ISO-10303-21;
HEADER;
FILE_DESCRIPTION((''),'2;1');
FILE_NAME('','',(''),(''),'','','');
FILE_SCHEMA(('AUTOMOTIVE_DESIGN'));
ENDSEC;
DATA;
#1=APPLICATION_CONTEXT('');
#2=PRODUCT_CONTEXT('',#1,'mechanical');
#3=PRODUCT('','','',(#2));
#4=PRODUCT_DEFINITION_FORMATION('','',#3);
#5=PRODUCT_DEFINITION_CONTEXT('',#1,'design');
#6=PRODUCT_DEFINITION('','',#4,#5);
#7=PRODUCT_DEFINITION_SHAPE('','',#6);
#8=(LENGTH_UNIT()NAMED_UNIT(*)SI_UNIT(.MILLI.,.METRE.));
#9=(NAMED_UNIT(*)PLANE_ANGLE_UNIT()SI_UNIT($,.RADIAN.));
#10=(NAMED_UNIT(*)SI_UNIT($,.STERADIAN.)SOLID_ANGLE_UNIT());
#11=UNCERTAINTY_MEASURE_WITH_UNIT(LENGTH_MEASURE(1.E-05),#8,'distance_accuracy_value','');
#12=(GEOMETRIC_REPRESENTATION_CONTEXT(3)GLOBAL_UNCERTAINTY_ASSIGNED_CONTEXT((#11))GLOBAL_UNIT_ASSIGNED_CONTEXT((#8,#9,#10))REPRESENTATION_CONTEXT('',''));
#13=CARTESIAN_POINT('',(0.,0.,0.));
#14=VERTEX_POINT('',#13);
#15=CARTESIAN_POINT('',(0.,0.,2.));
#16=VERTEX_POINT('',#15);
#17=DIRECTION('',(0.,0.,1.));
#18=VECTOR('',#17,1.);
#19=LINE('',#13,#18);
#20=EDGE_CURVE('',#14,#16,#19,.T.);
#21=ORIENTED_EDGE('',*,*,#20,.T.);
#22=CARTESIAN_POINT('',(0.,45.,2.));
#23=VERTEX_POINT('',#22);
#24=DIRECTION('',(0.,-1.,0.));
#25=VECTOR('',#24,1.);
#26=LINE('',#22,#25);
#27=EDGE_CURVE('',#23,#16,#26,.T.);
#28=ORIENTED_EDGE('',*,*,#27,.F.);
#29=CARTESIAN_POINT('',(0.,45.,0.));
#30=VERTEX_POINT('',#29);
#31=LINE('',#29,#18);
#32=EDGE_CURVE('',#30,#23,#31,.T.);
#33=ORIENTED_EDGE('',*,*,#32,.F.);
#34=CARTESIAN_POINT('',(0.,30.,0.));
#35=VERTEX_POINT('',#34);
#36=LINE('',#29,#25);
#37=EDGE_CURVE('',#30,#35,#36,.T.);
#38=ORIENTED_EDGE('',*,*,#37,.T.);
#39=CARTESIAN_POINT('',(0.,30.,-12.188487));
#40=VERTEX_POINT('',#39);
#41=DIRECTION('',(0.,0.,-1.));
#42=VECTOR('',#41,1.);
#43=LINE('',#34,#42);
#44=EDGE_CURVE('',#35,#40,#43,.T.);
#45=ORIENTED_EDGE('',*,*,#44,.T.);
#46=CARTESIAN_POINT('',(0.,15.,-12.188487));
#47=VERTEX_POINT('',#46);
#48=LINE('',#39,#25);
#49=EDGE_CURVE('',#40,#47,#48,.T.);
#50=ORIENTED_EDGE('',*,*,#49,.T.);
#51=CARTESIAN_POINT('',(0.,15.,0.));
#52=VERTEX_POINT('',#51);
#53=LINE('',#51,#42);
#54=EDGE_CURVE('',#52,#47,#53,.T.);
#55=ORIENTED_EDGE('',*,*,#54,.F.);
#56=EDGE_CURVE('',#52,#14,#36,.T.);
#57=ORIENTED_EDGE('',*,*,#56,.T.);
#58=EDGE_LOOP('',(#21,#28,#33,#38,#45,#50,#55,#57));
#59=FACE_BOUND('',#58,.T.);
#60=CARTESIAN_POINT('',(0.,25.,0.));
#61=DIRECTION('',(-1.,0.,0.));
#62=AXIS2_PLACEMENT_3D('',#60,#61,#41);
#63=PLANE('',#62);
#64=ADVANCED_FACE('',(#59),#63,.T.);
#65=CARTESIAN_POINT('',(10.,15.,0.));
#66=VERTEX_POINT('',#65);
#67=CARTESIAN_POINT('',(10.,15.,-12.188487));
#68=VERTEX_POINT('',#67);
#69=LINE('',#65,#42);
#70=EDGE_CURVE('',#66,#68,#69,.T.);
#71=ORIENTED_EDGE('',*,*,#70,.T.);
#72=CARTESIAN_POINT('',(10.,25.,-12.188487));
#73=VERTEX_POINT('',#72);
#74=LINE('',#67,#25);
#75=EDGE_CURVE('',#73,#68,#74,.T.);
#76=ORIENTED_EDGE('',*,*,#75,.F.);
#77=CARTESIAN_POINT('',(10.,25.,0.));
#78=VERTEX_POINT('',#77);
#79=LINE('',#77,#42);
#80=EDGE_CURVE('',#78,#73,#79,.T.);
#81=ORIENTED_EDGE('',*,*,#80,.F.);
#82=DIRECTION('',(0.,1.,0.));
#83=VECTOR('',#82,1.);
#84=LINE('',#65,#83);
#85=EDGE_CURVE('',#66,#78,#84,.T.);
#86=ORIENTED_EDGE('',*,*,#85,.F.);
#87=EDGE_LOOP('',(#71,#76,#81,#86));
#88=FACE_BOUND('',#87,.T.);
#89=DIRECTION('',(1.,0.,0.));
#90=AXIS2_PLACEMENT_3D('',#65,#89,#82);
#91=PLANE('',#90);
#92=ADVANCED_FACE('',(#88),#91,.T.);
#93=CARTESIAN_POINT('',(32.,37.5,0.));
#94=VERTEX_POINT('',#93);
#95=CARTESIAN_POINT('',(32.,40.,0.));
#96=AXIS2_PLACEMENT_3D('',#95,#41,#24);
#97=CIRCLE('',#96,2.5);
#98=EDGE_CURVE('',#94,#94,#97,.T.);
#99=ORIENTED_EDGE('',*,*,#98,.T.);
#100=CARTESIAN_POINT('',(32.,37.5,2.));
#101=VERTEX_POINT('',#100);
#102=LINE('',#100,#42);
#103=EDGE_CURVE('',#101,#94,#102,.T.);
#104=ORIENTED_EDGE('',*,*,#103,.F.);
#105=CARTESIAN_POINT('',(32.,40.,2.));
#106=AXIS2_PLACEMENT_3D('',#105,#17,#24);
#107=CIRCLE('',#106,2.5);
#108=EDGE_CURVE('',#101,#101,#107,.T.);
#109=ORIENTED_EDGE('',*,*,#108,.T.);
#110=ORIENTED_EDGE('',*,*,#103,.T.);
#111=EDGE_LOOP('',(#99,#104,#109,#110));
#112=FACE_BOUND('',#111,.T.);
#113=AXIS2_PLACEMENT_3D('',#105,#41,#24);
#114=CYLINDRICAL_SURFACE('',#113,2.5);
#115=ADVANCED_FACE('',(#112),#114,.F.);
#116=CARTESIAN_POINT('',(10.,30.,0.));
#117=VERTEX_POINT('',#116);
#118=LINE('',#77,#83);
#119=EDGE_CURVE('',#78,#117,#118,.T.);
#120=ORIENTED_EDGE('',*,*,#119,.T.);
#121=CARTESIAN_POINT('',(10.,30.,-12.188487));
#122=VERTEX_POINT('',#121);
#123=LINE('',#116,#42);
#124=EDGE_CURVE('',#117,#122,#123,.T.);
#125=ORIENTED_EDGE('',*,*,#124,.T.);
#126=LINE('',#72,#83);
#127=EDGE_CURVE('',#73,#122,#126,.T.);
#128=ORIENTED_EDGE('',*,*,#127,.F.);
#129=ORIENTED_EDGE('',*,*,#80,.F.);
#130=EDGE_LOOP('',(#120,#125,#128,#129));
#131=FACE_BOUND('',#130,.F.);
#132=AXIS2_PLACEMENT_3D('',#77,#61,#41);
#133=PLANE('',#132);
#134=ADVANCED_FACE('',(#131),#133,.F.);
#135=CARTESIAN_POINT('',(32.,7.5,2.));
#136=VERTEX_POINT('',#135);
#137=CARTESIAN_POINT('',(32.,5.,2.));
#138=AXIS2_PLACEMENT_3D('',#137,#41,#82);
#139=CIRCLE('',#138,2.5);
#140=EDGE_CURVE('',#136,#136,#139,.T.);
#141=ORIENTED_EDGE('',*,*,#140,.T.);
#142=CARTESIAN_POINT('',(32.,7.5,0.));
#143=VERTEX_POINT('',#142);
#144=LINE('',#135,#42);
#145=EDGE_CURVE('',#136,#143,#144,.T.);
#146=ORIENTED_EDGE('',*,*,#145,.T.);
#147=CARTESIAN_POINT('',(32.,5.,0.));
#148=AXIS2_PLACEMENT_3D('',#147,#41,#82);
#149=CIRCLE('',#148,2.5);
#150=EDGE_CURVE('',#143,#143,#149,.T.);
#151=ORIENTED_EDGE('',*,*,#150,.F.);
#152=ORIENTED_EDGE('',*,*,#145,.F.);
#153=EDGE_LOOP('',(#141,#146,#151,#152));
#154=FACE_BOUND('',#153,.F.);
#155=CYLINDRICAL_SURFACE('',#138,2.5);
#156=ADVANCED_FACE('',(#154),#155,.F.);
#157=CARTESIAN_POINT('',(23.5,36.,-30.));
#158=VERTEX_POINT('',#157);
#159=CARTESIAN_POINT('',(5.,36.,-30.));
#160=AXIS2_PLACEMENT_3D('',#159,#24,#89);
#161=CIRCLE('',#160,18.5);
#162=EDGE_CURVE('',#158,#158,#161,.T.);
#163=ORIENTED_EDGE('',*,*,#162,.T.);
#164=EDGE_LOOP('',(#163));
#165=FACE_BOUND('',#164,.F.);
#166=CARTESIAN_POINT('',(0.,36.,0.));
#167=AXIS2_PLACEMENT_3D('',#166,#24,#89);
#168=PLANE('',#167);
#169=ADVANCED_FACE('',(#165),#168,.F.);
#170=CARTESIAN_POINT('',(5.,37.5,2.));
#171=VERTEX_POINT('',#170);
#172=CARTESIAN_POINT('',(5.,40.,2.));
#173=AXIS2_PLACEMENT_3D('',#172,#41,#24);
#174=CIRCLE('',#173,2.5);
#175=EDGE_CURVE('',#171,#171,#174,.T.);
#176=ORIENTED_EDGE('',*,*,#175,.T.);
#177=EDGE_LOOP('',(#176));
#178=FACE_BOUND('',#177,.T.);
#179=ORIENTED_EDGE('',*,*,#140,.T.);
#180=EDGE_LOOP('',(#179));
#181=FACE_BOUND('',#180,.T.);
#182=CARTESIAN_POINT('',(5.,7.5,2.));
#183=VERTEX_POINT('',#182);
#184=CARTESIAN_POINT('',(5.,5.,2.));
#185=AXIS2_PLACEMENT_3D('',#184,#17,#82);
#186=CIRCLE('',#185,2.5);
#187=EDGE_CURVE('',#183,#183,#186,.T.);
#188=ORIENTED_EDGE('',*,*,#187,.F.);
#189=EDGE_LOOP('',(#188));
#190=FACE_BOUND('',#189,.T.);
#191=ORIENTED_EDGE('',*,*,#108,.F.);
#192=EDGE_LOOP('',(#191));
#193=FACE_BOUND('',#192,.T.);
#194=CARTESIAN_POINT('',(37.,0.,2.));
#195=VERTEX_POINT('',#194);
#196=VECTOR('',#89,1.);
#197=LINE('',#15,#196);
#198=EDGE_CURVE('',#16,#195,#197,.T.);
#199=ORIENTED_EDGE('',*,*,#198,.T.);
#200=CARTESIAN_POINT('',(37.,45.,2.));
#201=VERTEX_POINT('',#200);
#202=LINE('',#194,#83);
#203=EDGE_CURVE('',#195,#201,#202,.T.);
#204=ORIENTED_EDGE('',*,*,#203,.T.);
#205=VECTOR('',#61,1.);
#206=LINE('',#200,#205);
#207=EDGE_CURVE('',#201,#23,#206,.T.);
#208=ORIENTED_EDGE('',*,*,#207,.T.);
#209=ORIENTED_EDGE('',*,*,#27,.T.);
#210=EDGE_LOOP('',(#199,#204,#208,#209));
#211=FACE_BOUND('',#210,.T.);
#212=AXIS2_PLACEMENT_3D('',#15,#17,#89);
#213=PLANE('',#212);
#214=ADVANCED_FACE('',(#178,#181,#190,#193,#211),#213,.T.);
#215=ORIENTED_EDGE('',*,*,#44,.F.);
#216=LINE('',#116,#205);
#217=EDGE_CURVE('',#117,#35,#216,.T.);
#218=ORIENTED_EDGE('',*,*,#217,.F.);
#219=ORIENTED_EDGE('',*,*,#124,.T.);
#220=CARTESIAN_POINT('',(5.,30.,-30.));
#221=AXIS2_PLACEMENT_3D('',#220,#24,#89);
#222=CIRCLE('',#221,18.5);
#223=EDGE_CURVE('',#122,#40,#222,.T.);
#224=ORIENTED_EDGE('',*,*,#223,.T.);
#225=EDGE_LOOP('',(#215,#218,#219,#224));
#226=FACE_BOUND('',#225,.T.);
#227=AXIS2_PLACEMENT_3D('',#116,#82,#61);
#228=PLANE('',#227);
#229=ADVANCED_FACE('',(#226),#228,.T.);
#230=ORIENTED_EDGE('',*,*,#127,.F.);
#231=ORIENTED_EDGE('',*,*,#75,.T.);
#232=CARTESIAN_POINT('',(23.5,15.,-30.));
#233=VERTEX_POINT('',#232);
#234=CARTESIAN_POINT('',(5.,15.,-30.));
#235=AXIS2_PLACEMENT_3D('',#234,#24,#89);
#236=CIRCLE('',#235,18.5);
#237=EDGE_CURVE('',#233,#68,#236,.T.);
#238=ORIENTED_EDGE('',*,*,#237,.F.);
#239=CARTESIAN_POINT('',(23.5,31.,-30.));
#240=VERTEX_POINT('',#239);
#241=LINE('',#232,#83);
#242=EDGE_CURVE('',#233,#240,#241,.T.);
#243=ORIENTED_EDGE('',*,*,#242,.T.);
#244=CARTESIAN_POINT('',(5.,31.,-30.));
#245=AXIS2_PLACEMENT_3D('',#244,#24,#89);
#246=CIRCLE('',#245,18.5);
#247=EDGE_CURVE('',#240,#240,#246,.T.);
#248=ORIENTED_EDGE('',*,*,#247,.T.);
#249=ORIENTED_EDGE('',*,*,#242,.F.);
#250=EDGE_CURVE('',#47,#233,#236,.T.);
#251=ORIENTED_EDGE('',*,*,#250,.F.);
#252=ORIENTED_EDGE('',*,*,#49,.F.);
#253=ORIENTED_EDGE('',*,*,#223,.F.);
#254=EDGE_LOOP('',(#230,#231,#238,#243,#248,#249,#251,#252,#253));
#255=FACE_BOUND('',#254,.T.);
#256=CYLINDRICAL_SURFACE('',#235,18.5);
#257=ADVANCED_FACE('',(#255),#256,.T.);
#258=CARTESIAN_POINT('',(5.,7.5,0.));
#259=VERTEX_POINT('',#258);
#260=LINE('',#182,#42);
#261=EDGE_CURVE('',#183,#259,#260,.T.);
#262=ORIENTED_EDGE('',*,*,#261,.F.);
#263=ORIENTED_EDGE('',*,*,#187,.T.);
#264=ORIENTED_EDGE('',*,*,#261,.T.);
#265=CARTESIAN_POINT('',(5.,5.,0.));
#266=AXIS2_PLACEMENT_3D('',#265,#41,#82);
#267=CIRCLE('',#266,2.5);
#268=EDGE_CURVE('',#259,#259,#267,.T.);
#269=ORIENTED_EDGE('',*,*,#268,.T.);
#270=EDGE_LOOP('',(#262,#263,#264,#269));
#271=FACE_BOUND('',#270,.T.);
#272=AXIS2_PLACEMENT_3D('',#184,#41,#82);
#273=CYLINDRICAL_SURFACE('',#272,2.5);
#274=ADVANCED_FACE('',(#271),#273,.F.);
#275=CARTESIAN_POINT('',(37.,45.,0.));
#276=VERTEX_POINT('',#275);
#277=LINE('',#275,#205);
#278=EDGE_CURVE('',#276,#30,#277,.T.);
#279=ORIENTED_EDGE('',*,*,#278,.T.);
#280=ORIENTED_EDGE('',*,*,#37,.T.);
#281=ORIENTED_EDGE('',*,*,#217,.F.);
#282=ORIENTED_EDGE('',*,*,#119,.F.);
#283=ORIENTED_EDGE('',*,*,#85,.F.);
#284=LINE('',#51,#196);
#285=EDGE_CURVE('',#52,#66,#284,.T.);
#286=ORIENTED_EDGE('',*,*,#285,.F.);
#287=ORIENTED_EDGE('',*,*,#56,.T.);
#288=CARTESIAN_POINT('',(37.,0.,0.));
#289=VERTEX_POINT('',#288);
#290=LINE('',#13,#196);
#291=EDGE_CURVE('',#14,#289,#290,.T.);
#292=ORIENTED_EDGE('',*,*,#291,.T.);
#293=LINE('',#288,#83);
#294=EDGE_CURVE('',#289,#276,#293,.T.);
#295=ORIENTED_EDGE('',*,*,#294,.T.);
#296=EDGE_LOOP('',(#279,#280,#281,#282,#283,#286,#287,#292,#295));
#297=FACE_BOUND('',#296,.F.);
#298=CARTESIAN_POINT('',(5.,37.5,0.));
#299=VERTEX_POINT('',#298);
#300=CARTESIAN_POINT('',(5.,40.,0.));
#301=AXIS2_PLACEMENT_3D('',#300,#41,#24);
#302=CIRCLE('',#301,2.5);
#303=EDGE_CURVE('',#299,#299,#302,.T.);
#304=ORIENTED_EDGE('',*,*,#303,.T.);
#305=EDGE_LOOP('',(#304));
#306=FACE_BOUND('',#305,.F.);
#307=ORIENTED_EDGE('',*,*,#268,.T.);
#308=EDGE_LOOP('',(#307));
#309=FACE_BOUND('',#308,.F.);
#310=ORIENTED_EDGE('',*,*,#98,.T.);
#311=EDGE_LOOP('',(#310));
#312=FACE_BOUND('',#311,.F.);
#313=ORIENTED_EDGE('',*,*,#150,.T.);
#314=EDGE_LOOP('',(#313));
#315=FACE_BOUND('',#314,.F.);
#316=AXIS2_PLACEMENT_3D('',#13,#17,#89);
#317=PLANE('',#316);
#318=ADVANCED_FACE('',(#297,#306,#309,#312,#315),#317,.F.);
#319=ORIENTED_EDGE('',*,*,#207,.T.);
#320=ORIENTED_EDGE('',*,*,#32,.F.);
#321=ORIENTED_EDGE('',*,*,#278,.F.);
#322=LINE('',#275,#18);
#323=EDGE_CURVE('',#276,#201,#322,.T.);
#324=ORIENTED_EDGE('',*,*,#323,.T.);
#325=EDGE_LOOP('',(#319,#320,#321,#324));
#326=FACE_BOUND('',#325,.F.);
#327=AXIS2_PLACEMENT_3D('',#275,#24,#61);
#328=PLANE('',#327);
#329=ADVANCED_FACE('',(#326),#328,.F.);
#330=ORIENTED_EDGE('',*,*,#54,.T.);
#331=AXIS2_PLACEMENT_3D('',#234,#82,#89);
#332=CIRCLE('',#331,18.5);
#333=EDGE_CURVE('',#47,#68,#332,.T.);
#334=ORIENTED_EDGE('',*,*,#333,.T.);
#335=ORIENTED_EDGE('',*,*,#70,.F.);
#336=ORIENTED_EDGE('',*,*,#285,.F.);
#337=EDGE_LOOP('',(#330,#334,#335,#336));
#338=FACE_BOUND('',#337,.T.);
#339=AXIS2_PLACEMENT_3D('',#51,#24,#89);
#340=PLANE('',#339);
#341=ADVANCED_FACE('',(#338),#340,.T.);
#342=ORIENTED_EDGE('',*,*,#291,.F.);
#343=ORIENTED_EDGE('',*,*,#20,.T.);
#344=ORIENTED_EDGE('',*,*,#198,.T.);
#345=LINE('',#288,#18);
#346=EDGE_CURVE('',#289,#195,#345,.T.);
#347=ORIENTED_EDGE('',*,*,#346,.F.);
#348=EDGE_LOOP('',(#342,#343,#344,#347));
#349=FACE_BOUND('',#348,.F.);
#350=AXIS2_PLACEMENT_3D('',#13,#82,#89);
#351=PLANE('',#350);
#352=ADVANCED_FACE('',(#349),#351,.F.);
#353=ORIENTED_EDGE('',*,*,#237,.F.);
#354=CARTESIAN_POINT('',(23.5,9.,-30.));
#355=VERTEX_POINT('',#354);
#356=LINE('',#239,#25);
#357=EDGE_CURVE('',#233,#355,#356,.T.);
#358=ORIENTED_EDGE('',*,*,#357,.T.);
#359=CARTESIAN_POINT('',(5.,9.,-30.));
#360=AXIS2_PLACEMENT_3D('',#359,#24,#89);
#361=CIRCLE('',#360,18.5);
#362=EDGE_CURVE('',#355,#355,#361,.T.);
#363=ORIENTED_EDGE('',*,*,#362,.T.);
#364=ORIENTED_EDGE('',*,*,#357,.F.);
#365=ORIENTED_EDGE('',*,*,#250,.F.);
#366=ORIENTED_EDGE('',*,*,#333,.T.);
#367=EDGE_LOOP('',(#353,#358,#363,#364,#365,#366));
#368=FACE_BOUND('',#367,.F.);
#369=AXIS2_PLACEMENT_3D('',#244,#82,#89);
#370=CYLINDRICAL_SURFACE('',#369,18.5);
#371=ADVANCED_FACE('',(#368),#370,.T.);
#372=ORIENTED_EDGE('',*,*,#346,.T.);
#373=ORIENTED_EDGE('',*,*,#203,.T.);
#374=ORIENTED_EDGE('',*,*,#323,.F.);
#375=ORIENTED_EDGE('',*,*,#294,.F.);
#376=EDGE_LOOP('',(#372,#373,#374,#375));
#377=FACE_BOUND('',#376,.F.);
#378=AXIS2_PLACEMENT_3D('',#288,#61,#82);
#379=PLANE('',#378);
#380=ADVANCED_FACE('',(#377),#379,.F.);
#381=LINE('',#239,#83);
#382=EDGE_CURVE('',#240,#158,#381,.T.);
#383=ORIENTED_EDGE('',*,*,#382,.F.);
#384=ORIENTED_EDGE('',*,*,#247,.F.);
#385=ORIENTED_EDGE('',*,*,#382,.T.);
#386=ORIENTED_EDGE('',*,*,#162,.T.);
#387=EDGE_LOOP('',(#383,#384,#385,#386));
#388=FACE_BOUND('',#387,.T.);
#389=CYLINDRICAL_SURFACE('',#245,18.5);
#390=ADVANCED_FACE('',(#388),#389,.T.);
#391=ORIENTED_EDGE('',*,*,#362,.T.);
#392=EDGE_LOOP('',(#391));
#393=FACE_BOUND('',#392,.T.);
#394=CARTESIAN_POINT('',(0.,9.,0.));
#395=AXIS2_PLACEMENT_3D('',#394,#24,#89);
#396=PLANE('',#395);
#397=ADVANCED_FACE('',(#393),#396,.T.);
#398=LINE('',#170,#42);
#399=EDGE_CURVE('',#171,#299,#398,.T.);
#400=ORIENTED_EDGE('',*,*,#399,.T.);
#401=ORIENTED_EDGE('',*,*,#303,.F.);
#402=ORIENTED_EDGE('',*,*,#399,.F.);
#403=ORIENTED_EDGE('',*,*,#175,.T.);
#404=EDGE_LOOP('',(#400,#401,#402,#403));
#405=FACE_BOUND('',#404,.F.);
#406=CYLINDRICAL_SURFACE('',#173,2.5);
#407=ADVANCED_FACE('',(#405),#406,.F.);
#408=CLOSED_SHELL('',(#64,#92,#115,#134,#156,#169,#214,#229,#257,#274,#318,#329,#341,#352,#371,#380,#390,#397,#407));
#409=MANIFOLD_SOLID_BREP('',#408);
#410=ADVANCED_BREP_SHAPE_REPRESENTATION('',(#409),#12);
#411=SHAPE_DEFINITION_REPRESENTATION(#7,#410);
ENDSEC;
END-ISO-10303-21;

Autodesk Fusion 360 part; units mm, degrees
sketch "Sketch1" plane through (0, 0, 0) normal (0, 0, 1) x (1, 0, 0)
  line L0 (0, 0) -> (37, 0)
  line L1 (37, 0) -> (37, 45)
  line L2 (37, 45) -> (0, 45)
  line L3 (0, 45) -> (0, 0)
  dimension "d1" = 37
  dimension "d2" = 45
extrude "Extrude1" add sketch "Sketch1" along normal blind 2
sketch "Sketch2" plane through (0, 0, 2) normal (0, 0, 1) x (-1, 0, 0)
  line L0 (0, -45) -> (0, 0)
  line L1 (0, 0) -> (-37, 0)
  line L2 (-37, 0) -> (-37, -45)
  line L3 (-37, -45) -> (0, -45)
sketch "Sketch3" plane through (0, 0, 2) normal (0, 0, 1) x (-1, 0, 0)
sketch "Sketch4" plane through (0, 0, 2) normal (0, 0, 1) x (-1, 0, 0)
  point P0 (-5, -40)
hole "Hole1" at (5, 40, 2) direction (0, 0, -1) diameter 5 depth 15 tip angle 180
ref_plane "WorkPlane1" through (18.5, 22.5, 1) normal (1, 0, 0) x (0, 1, 0)
ref_plane "WorkPlane2" through (18.5, 22.5, 1) normal (0, -1, 0) x (1, 0, 0)
mirror "Mirror1" about plane through (18.5, 22.5, 1) normal (1, 0, 0) of "Hole1"
mirror "Mirror2" about plane through (18.5, 22.5, 1) normal (0, -1, 0) of "Hole1", "Mirror1"
sketch "Sketch5" plane through (0, 0, 0) normal (0, 0, -1) x (1, 0, 0)
  circle A0 centre (32, -5) radius 2.5
  circle A1 centre (5, -5) radius 2.5
  circle A2 centre (32, -40) radius 2.5
  circle A3 centre (5, -40) radius 2.5
  line L0 (0, 0) -> (0, -45)
  line L1 (0, -45) -> (37, -45)
  line L2 (37, -45) -> (37, 0)
  line L3 (37, 0) -> (0, 0)
  line L4 (0, -15) -> (10, -15)
  line L5 (10, -15) -> (10, -25)
  line L6 (10, -25) -> (0, -25)
  line L7 (0, -25) -> (0, -15)
extrude "Extrude2" add sketch "Sketch5" along normal blind 35 contours L0 L4 L5 L6 L7
sketch "Sketch6" plane through (0, 15, 0) normal (0, -1, 0) x (1, 0, 0)
  line L0 (10, 0) -> (0, 0)
  line L1 (0, 0) -> (0, -35)
  line L2 (0, -35) -> (10, -35)
  line L3 (10, -35) -> (10, 0)
  point P0 (0, -30)
sketch "Sketch7" plane through (0, 15, 0) normal (0, -1, 0) x (1, 0, 0)
sketch "Sketch8" plane through (0, 15, 0) normal (0, -1, 0) x (1, 0, 0)
  circle A0 centre (5, -30) radius 18.5
  dimension "d14" = 37
extrude "Extrude3" add sketch "Sketch8" against normal blind 16
extrude "Extrude4" add 1 faces at (3.6278, 31, -23.9879) along direction (0, -1, 0) blind 22
extrude "Extrude5" add 1 faces at (5, 25, -3.8333) along direction (0, 1, 0) blind 5
extrude "Extrude6" add 1 faces at (3.6278, 31, -23.9879) along direction (0, 1, 0) blind 5
